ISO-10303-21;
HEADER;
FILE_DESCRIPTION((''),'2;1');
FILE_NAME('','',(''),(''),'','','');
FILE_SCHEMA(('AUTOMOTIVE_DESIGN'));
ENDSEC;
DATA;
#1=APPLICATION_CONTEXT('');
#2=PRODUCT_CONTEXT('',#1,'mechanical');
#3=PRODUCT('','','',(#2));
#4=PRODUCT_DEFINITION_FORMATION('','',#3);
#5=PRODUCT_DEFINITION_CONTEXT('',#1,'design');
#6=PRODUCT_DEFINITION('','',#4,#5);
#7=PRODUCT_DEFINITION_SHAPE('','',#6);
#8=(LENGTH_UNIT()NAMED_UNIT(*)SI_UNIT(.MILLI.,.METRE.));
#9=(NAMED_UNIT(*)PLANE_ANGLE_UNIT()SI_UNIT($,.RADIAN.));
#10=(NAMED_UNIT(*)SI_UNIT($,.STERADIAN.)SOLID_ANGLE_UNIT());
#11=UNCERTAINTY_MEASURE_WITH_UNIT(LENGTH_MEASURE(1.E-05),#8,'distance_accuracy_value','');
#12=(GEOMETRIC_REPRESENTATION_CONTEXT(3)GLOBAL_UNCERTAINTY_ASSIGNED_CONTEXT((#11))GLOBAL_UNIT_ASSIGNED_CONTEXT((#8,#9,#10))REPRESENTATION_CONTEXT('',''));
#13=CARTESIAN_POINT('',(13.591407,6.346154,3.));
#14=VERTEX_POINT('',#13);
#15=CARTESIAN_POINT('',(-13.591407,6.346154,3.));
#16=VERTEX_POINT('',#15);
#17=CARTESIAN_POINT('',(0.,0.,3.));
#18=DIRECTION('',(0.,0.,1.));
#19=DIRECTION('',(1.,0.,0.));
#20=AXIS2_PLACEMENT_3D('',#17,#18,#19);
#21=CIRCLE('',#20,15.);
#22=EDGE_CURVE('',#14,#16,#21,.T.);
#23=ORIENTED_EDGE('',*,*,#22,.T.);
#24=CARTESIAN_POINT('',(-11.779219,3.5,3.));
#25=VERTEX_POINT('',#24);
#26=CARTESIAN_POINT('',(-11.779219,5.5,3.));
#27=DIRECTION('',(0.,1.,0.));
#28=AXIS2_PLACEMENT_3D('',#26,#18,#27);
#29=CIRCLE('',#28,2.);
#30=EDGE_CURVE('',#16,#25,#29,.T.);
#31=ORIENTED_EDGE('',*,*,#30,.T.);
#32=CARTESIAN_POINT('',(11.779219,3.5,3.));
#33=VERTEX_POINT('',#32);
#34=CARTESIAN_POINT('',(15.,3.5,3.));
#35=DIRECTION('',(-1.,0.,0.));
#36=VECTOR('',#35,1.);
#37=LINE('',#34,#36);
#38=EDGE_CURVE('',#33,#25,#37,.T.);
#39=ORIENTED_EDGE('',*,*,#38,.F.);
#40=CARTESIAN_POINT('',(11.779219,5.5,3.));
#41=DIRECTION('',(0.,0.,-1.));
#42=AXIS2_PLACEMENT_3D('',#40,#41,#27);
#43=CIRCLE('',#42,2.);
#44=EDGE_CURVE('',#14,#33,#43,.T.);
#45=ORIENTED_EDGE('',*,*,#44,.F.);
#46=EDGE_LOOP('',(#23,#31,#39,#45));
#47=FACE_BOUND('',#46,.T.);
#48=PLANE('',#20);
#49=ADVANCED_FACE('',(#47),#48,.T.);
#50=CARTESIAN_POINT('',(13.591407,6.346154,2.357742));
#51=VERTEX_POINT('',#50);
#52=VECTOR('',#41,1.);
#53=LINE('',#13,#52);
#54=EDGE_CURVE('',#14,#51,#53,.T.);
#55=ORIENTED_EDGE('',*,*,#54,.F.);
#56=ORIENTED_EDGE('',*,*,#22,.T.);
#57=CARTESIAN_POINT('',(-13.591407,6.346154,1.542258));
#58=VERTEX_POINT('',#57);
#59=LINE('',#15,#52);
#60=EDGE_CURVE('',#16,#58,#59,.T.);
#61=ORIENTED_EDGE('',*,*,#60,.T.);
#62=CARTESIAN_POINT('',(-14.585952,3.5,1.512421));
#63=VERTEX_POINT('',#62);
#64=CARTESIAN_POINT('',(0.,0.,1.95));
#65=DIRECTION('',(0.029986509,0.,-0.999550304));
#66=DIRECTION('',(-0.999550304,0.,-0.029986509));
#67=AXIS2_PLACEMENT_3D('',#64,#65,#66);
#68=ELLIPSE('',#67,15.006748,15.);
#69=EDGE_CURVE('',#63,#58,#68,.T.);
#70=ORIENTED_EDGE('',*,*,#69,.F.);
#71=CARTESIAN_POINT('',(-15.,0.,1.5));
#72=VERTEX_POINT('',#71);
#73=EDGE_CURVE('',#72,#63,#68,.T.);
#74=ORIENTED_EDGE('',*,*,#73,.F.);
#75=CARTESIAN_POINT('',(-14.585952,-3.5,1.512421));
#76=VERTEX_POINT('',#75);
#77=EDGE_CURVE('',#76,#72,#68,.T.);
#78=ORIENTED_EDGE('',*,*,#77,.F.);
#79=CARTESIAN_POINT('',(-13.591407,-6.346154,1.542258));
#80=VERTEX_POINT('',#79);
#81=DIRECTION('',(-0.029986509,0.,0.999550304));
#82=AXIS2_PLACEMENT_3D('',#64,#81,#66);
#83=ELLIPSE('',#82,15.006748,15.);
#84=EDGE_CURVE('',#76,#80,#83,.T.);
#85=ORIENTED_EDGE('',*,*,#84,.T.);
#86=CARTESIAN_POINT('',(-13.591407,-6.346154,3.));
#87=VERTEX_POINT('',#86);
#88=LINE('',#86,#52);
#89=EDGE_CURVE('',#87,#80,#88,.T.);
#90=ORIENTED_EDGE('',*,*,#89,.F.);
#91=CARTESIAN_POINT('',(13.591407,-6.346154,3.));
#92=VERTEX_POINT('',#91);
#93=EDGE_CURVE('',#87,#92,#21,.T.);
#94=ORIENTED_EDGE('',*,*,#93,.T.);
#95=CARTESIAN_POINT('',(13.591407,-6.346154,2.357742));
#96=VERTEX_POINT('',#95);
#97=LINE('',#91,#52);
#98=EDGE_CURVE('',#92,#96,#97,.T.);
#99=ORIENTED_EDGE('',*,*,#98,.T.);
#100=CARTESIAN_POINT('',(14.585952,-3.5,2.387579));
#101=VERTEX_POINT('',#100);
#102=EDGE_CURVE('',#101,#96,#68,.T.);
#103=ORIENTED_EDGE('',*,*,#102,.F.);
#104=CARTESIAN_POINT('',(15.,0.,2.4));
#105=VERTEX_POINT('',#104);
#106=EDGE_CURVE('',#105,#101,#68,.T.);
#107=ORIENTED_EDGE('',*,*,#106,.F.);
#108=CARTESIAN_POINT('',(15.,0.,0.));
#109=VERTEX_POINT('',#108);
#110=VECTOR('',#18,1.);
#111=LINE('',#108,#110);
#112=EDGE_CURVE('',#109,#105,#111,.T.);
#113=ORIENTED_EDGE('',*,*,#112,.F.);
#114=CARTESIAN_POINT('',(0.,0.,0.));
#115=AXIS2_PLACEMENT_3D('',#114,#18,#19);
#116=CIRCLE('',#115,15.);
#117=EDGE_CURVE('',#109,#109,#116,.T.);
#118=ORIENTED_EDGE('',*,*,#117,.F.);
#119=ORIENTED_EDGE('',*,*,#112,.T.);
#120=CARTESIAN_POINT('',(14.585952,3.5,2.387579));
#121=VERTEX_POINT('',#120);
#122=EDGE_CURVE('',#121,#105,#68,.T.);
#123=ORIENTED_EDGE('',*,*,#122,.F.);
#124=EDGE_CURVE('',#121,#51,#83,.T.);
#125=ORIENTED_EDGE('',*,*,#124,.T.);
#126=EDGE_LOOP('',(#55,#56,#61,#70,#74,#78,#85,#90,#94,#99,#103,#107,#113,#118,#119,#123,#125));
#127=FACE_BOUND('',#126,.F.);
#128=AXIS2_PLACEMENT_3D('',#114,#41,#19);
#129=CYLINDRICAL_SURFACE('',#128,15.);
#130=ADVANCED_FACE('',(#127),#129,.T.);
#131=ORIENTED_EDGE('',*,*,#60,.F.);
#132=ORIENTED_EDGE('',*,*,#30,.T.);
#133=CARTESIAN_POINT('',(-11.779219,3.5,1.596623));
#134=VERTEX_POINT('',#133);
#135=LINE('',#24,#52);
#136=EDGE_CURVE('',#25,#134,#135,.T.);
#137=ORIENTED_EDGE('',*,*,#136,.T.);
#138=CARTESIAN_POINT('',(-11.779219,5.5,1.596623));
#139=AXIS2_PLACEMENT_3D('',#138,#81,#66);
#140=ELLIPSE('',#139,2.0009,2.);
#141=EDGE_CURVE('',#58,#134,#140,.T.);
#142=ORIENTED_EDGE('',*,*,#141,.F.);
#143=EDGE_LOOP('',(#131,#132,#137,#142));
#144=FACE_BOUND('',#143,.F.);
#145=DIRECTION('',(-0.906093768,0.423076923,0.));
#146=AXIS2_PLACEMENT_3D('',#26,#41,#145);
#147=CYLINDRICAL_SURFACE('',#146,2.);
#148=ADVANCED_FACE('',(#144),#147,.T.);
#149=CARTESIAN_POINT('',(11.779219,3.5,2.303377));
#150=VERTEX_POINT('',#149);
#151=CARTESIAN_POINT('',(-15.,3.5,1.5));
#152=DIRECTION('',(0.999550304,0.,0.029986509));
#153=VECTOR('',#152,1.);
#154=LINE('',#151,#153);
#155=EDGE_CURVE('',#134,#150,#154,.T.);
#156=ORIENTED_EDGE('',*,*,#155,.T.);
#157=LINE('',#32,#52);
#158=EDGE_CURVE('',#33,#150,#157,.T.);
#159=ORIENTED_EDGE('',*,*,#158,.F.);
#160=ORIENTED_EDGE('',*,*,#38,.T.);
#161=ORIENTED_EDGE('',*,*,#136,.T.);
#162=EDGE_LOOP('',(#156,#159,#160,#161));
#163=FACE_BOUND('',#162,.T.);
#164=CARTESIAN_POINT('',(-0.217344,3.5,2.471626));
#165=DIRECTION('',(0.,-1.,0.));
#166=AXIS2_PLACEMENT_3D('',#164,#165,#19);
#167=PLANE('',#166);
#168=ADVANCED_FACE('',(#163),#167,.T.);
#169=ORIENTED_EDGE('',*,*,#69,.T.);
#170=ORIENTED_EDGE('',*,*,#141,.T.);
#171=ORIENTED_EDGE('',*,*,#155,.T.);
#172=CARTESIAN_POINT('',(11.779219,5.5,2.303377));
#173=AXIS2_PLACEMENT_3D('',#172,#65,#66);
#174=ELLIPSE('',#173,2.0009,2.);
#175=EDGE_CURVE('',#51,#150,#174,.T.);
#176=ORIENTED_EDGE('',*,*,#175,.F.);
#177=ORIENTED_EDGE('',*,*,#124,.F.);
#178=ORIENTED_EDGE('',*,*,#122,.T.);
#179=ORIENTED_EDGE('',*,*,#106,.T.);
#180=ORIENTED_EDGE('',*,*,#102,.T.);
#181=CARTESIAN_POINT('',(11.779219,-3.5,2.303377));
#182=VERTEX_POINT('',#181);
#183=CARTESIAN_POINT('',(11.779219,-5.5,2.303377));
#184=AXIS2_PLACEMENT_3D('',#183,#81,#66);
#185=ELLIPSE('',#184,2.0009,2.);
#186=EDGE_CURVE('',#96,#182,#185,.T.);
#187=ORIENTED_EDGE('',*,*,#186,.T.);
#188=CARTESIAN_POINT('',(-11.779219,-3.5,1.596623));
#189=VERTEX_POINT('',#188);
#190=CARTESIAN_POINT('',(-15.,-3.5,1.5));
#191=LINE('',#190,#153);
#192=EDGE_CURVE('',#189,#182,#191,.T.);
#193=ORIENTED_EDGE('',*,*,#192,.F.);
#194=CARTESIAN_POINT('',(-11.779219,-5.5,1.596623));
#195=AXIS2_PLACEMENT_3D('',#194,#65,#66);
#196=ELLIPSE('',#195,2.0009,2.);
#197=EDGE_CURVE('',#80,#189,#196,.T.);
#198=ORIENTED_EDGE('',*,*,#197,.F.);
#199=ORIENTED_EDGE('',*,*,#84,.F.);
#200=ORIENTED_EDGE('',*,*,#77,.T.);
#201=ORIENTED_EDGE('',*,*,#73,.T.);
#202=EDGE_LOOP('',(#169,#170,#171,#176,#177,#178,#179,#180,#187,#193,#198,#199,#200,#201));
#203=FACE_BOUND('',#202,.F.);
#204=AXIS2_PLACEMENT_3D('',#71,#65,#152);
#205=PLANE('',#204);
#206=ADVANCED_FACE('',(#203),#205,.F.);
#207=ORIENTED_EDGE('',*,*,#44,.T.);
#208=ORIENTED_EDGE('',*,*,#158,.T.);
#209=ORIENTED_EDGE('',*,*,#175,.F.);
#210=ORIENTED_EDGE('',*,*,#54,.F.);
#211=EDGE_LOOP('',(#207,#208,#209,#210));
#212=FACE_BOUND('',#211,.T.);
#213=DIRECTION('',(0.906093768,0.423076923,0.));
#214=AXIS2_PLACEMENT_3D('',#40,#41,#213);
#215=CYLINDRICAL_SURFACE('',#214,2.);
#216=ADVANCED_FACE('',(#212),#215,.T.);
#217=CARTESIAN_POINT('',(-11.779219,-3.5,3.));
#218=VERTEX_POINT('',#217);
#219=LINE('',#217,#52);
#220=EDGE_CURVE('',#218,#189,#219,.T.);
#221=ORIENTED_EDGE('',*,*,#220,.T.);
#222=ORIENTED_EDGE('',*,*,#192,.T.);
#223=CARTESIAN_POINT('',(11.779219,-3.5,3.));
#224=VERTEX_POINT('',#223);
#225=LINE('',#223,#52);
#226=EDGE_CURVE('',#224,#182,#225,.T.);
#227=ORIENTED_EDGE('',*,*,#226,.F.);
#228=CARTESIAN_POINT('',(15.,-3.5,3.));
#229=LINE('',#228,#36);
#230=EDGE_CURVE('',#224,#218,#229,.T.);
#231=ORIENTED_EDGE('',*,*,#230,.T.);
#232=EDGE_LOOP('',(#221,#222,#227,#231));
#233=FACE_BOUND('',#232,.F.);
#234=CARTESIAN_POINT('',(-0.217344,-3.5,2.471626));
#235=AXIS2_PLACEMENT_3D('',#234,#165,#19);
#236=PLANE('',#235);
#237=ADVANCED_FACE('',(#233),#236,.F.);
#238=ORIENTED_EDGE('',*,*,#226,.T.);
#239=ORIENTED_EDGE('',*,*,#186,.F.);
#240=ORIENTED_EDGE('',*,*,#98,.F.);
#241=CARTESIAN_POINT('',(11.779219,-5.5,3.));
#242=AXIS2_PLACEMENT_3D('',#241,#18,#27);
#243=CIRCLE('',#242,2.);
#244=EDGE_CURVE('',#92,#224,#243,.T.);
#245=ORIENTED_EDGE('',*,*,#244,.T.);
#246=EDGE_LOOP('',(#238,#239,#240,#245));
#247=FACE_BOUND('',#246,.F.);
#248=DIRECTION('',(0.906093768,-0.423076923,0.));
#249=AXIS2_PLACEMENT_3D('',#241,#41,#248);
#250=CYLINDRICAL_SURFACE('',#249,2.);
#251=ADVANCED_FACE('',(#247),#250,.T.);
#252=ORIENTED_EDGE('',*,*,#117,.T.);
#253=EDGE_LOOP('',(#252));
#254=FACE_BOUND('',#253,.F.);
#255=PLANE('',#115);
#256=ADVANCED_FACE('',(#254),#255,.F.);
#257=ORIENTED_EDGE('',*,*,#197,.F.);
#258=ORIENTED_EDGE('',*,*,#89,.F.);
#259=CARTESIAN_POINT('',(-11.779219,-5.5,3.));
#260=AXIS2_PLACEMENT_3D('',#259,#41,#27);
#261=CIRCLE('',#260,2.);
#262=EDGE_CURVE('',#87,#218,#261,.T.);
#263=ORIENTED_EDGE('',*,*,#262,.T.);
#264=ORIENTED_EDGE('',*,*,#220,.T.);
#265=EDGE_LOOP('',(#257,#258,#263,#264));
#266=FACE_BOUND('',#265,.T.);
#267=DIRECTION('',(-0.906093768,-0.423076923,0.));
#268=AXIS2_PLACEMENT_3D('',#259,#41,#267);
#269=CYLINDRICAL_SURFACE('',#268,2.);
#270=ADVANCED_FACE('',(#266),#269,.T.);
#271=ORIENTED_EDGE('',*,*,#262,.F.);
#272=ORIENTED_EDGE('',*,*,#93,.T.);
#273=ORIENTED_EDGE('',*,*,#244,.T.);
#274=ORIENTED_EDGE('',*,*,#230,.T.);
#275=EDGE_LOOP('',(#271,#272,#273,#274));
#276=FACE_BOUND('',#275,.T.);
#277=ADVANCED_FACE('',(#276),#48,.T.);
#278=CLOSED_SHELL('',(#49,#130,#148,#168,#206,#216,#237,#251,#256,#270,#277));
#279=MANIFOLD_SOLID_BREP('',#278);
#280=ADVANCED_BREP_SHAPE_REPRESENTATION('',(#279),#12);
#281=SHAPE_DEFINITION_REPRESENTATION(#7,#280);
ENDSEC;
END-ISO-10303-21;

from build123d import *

# Parameters (mm, degrees)
F0_R     = 15
F1_DEPTH = 3
F3_DEPTH = 3.5
F4_R     = 2


with BuildPart() as f1:
    # F0 (on Top) → F1 (new body)
    with BuildSketch(Plane.XY):
        Circle(F0_R)
    extrude(amount=F1_DEPTH)

    # F2 (on Front) → F3 (cut, symmetric)
    with BuildSketch(Plane.XZ):
        Polygon((15, 3), (-15, 3), (-15, 1.5), (15, 2.4), align=None)
    extrude(amount=F3_DEPTH, both=True, mode=Mode.SUBTRACT)

    # F4
    f4_edges = [f1.edges().sort_by_distance(p)[0] for p in [
        (-14.585952, 3.5, 2.256211),
        (14.585952, 3.5, 2.693789),
        (14.585952, -3.5, 2.693789),
        (-14.585952, -3.5, 2.256211),
    ]]
    fillet(f4_edges, radius=F4_R)


solid = f1.part
